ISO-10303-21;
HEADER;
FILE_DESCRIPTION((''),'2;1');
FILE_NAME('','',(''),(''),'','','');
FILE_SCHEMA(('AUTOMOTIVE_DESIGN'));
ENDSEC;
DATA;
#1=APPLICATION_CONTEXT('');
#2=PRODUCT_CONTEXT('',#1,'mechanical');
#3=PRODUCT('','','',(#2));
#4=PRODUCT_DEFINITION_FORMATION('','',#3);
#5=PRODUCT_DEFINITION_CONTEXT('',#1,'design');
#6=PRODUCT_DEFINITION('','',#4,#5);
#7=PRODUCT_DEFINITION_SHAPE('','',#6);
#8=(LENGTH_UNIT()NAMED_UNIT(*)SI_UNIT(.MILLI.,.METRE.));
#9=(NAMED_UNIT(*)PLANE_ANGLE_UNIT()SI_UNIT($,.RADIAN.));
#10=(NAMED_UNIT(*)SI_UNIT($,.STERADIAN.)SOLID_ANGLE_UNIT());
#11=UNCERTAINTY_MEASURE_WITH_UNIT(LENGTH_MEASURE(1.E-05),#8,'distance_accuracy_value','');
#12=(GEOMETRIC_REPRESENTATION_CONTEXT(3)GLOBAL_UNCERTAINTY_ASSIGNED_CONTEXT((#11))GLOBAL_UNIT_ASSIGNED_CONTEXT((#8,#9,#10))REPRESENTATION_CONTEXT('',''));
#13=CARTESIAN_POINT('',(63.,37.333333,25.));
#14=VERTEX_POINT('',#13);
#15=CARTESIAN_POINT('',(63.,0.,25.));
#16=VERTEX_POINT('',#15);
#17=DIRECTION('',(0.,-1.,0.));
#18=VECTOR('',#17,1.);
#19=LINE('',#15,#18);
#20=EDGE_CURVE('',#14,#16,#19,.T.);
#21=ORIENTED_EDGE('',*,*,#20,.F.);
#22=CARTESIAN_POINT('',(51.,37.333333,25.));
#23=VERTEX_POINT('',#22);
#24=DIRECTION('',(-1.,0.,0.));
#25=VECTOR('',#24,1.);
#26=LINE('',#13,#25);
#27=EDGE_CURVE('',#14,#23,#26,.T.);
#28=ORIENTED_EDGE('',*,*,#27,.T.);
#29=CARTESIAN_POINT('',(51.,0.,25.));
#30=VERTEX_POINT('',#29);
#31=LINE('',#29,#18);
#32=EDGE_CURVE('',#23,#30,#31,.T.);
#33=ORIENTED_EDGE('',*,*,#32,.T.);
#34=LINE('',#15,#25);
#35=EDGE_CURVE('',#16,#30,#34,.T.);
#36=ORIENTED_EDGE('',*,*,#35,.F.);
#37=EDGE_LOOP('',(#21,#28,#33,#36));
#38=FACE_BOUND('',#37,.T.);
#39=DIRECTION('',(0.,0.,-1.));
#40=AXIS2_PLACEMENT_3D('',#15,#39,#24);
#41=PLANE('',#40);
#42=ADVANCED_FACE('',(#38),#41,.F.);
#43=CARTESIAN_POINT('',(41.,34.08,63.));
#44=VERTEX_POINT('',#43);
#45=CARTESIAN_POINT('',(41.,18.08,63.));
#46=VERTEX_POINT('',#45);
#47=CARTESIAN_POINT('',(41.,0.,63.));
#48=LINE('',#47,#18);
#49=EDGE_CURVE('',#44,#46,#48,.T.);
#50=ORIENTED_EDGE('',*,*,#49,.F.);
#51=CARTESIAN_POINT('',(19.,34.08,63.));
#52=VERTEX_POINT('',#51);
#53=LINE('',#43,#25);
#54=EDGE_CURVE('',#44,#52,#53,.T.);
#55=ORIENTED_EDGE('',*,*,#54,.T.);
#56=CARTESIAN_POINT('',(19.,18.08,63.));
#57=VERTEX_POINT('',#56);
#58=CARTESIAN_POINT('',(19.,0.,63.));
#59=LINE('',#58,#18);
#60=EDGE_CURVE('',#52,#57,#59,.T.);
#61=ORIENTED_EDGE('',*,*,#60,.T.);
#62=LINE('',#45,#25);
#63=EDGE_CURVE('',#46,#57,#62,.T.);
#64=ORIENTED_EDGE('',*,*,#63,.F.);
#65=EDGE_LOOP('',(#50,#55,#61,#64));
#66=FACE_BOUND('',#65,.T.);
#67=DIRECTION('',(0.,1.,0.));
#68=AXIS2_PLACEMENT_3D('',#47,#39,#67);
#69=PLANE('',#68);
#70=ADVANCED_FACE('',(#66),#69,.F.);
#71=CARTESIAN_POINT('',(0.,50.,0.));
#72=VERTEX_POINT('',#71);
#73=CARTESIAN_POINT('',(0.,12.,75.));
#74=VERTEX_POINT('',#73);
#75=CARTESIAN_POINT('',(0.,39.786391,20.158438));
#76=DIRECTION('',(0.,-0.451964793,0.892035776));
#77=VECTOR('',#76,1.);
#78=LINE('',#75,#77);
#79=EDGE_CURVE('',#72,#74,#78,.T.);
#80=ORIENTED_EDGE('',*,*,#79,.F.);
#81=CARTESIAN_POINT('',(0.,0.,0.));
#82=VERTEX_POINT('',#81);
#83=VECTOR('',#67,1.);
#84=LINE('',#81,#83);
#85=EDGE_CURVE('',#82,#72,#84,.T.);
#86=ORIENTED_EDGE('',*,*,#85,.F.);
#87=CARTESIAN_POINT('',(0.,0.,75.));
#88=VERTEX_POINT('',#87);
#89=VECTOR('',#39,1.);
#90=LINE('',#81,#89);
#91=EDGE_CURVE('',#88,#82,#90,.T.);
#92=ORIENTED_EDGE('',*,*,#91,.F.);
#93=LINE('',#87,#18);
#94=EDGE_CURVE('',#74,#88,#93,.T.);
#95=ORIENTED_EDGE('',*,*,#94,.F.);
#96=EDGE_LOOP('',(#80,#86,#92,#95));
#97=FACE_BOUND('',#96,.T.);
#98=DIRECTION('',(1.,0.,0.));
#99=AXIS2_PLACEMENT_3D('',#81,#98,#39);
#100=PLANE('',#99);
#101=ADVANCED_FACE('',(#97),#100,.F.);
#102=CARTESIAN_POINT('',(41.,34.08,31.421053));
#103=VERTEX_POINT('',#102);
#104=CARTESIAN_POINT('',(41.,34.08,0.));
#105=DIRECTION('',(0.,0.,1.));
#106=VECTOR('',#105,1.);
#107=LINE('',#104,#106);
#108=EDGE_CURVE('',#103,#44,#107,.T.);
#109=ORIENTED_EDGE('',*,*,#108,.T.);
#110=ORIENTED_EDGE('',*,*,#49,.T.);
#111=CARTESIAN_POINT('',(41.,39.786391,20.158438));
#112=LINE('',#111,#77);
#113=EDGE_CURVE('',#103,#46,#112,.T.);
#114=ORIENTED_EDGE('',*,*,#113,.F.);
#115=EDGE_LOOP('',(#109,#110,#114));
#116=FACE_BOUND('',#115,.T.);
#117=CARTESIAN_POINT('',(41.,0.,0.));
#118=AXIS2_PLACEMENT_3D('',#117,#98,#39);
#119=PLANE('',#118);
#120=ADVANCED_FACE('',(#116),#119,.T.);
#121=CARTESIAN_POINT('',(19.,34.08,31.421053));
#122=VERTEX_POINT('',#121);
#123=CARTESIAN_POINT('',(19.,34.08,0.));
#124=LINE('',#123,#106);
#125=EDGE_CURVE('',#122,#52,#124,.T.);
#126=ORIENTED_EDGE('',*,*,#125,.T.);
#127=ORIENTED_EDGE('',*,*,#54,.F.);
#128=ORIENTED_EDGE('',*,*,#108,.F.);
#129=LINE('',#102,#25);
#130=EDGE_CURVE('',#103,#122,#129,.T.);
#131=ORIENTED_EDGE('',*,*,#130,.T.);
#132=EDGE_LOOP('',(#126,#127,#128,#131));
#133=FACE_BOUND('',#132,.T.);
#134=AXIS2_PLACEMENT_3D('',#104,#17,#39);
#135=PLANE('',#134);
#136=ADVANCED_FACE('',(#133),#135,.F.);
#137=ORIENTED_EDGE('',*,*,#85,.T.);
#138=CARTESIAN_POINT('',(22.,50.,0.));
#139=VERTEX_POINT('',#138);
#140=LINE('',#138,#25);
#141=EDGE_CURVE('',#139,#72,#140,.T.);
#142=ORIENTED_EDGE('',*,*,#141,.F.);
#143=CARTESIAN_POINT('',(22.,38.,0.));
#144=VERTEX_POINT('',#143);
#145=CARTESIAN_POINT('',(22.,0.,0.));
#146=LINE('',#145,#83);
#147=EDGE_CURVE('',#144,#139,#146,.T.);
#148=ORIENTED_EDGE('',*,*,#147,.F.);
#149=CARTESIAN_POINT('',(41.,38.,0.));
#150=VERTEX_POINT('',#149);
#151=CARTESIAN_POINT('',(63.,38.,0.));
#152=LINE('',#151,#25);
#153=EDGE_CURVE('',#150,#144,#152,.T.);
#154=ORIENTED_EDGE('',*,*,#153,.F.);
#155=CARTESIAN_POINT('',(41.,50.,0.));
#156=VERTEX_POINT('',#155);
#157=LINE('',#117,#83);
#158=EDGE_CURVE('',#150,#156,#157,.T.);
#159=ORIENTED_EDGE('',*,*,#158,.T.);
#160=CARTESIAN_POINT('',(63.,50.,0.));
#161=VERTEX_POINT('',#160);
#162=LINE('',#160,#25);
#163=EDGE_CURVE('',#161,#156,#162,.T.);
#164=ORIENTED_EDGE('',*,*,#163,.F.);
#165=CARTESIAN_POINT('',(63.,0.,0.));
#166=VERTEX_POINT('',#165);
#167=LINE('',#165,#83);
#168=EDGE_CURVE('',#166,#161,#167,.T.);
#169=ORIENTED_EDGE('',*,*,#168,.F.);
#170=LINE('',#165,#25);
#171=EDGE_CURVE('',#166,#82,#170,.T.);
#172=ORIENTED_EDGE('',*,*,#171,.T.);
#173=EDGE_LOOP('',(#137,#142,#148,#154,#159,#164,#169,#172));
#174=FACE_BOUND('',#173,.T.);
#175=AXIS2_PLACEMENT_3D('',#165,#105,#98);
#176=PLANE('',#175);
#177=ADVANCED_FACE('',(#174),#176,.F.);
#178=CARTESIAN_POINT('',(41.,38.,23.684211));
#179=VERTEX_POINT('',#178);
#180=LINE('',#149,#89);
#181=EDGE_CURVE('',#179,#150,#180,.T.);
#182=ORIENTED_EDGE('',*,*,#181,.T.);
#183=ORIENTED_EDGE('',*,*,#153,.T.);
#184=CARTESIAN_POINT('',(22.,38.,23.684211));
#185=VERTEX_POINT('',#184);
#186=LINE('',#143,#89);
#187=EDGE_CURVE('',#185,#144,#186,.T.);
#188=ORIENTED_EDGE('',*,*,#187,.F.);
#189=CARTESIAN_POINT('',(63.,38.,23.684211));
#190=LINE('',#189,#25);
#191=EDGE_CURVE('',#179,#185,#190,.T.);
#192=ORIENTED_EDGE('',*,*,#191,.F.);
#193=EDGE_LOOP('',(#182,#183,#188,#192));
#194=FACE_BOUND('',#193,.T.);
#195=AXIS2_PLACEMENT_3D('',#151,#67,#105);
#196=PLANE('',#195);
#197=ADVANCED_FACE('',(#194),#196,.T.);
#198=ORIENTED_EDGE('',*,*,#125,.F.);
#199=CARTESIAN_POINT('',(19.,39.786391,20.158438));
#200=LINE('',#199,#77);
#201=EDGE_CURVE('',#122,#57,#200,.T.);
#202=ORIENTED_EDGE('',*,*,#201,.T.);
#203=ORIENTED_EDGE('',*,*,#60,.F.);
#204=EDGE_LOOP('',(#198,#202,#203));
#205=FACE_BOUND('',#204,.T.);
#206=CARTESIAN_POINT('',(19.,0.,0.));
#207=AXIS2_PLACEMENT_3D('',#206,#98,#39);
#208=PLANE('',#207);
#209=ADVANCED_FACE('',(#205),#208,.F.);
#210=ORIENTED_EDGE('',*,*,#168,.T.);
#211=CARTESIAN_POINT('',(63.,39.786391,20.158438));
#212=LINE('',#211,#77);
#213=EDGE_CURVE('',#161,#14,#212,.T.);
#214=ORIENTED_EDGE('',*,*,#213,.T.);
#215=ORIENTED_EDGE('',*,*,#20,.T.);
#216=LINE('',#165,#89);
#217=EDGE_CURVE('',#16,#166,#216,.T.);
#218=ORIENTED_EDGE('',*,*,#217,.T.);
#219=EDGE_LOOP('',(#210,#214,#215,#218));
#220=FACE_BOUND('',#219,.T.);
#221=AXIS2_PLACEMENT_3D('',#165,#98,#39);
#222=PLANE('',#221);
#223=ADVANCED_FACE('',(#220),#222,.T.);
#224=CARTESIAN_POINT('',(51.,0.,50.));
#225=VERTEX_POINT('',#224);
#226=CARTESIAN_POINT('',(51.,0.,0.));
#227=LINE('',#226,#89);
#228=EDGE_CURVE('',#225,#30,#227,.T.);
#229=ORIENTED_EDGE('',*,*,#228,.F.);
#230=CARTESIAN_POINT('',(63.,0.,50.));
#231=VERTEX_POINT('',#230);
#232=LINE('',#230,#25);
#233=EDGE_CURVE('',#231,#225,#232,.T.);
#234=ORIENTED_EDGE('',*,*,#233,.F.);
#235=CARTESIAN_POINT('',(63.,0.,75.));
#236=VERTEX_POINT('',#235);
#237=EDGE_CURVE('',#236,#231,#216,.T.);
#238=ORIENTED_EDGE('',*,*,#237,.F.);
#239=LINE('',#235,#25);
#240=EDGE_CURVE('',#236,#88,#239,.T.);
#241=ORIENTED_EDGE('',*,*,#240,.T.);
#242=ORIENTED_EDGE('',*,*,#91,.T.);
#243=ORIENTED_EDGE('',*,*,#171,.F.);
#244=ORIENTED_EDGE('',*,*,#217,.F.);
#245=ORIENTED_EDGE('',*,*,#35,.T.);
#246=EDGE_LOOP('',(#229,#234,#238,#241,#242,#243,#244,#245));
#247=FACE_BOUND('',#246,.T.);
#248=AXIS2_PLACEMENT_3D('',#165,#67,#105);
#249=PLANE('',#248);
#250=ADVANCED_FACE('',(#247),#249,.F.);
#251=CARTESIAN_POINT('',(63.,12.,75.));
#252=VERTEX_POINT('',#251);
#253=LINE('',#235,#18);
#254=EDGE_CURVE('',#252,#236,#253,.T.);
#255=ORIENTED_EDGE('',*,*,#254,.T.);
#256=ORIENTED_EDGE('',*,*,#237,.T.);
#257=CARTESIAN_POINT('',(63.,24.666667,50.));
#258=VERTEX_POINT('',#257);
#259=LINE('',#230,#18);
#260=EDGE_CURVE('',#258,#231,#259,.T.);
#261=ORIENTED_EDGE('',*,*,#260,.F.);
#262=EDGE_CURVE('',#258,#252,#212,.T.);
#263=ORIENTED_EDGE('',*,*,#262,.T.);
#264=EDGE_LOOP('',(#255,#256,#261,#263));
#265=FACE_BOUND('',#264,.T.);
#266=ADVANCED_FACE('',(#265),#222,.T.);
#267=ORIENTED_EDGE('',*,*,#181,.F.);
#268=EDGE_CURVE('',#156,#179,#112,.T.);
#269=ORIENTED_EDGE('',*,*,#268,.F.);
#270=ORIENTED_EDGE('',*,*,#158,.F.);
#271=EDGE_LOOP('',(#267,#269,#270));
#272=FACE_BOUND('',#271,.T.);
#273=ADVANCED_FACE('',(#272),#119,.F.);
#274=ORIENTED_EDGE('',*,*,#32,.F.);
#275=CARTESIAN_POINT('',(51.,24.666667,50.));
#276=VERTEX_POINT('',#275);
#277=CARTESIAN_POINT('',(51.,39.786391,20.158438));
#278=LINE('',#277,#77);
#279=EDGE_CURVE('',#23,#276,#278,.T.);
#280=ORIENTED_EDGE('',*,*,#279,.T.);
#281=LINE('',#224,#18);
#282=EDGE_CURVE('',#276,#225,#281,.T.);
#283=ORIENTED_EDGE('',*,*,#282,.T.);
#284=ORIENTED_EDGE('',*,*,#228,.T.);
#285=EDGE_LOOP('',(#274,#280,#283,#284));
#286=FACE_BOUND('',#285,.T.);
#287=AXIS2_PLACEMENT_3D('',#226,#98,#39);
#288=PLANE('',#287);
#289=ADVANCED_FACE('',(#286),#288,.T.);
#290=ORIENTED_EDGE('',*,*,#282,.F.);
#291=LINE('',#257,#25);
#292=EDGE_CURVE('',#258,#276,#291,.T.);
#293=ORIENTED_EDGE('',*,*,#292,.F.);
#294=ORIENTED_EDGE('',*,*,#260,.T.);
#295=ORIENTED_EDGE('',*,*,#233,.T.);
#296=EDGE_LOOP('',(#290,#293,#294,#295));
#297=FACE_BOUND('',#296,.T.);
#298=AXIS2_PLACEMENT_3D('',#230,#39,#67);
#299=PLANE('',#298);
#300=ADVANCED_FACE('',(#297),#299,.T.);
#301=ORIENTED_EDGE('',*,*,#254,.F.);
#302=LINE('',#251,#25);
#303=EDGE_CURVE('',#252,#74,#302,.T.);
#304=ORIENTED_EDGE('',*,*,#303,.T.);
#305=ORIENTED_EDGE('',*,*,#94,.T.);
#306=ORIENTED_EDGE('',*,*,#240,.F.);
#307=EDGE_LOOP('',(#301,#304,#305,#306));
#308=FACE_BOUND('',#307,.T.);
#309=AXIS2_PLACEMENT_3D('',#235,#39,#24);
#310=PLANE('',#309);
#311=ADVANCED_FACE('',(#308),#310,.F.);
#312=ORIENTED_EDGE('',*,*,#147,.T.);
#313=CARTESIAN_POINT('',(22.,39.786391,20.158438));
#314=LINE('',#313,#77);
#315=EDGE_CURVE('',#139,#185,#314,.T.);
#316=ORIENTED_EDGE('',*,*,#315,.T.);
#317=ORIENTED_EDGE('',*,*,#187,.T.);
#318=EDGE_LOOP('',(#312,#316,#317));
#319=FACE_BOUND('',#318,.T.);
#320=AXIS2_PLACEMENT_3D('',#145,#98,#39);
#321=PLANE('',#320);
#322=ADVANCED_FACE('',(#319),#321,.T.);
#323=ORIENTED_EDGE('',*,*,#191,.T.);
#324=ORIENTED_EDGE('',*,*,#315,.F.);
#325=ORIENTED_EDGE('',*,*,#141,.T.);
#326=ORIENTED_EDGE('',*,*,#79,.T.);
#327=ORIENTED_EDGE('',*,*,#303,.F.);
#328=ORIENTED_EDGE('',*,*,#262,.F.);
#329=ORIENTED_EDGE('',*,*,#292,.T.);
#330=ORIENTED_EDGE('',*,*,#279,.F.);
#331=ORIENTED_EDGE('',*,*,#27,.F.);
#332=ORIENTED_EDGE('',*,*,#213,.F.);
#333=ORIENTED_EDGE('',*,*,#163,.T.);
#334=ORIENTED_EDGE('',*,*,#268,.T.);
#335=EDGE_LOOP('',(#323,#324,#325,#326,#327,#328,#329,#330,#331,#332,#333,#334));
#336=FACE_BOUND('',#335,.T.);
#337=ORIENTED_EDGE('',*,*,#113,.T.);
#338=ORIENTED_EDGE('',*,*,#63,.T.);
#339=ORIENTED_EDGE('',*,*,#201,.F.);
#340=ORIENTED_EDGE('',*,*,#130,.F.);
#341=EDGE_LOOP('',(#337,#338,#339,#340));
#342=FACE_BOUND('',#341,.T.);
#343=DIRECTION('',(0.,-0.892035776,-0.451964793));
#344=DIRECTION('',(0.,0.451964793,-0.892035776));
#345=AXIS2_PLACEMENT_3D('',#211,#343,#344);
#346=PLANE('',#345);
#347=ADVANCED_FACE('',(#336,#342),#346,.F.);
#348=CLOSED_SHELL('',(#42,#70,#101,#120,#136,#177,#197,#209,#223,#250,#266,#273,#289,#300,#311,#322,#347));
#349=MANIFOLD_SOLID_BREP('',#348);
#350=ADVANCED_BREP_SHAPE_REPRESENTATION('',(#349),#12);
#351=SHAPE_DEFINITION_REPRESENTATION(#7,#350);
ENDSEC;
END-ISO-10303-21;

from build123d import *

# Parameters (mm, degrees)
BOSS_EXTRUDE1_DEPTH   = 63
BOSS_EXTRUDE1_2_DEPTH = 63
BOSS_EXTRUDE2_DEPTH   = 51
BOSS_EXTRUDE3_DEPTH   = 22
BOSS_EXTRUDE4_START   = 41
BOSS_EXTRUDE4_DEPTH   = 22
BOSS_EXTRUDE5_START   = 19
BOSS_EXTRUDE5_DEPTH   = 22


with BuildPart() as part:
    # Sketch1 → Boss-Extrude1 (new body)
    with BuildSketch(Plane(origin=(0, 0, 0), x_dir=(0, 0, -1), z_dir=(1, 0, 0))):
        Polygon((-25, 0), (0, 0), (0, 38), (-23.684210526, 38), (-25, 37.333333333), align=None)
    extrude(amount=BOSS_EXTRUDE1_DEPTH)



with BuildPart() as body_2:
    # Sketch1 → Boss-Extrude1 2 (new body)
    with BuildSketch(Plane(origin=(0, 0, 0), x_dir=(0, 0, -1), z_dir=(1, 0, 0))):
        Polygon((-75, 0), (-50, 0), (-50, 24.666666667), (-75, 12), align=None)
    extrude(amount=BOSS_EXTRUDE1_2_DEPTH)


with BuildPart() as part_1:
    add(part.part)

    add(body_2.part)  # Boss-Extrude2 merges body 2
    # Sketch1<3> → Boss-Extrude2 (add)
    with BuildSketch(Plane(origin=(0, 0, 0), x_dir=(0, 0, -1), z_dir=(1, 0, 0))):
        Polygon((-50, 0), (-25, 0), (-25, 37.333333333), (-31.421052632, 34.08), (-50, 24.666666667), align=None)
    extrude(amount=BOSS_EXTRUDE2_DEPTH)

    # Sketch1<4> → Boss-Extrude3 (add)
    with BuildSketch(Plane(origin=(0, 0, 0), x_dir=(0, 0, -1), z_dir=(1, 0, 0))):
        Polygon((-23.684210526, 38), (0, 38), (0, 50), align=None)
    extrude(amount=BOSS_EXTRUDE3_DEPTH)

    # Sketch1<5> → Boss-Extrude4 (add)
    with BuildSketch(Plane(origin=(0, 0, 0), x_dir=(0, 0, -1), z_dir=(1, 0, 0)).offset(BOSS_EXTRUDE4_START)):
        Polygon((-23.684210526, 38), (0, 38), (0, 50), align=None)
    extrude(amount=BOSS_EXTRUDE4_DEPTH)

    # Sketch1<6> → Boss-Extrude5 (add)
    with BuildSketch(Plane(origin=(0, 0, 0), x_dir=(0, 0, -1), z_dir=(1, 0, 0)).offset(BOSS_EXTRUDE5_START)):
        Polygon((-63, 18.08), (-50, 24.666666667), (-31.421052632, 34.08), (-63, 34.08), align=None)
    extrude(amount=BOSS_EXTRUDE5_DEPTH)


solid = part_1.part
